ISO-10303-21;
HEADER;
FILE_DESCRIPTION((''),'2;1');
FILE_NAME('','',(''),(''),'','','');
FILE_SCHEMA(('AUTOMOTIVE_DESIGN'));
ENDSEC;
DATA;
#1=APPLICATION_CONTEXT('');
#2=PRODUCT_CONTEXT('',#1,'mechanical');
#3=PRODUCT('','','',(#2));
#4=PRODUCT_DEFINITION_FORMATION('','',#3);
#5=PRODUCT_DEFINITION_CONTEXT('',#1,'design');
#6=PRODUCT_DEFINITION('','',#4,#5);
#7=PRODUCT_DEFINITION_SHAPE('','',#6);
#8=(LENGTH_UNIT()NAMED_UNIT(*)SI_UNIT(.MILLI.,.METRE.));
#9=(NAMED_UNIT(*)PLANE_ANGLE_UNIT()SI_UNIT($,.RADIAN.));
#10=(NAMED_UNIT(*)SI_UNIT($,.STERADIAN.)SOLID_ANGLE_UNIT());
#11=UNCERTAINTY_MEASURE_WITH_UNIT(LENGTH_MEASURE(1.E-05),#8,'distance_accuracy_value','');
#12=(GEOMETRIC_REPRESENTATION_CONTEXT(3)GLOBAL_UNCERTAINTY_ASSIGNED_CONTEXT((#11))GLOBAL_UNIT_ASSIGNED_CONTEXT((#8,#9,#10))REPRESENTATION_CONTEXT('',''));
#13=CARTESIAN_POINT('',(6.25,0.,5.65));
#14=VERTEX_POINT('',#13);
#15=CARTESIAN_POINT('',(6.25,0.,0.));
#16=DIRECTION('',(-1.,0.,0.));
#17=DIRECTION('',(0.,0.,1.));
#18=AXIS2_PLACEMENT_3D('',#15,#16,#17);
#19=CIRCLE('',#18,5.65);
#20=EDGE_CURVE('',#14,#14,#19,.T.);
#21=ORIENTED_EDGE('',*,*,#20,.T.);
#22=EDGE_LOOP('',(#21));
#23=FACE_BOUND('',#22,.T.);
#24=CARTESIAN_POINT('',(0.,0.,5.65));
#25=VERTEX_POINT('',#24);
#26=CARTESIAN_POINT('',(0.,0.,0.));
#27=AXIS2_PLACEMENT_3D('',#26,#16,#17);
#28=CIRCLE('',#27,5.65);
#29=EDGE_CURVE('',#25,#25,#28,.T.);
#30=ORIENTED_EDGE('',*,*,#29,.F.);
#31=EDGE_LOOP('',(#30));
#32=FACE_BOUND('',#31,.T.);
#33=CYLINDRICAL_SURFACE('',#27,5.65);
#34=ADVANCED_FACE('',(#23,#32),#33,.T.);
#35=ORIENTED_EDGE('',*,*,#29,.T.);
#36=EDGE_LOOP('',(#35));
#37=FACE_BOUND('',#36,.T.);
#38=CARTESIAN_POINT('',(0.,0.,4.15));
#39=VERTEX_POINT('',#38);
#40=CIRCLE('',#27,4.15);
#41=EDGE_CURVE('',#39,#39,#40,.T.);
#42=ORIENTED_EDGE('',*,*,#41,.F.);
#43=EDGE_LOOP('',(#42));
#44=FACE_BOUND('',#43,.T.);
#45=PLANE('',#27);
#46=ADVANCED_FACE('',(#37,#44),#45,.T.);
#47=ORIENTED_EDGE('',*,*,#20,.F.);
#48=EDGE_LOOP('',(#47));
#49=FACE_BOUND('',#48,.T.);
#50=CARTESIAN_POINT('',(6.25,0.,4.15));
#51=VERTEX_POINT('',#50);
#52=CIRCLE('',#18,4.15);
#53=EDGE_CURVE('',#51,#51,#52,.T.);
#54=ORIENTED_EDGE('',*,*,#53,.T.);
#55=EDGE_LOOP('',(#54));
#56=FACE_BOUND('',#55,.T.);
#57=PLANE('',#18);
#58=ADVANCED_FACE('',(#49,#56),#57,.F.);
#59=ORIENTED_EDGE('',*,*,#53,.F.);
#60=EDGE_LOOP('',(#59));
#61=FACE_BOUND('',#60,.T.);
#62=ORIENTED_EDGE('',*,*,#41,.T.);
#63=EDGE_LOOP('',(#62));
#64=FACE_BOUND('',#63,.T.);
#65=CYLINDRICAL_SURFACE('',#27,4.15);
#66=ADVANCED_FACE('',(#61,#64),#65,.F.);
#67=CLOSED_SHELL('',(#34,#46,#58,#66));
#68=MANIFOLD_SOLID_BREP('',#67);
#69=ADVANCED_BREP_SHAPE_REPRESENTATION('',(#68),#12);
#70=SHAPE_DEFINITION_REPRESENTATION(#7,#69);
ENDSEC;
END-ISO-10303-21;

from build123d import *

# Parameters (mm, degrees)
SKETCH1_W = 6.25
SKETCH1_H = 1.5


with BuildPart() as part:
    # Sketch1 → Revolve1 (revolve)
    with BuildSketch(Plane(origin=(0, 0, 0), x_dir=(1, 0, 0), z_dir=(0, 1, 0))):
        with Locations((3.125, -4.9)):
            Rectangle(SKETCH1_W, SKETCH1_H)
    revolve(axis=Axis((0, 0, 0), (1, 0, 0)))


solid = part.part
